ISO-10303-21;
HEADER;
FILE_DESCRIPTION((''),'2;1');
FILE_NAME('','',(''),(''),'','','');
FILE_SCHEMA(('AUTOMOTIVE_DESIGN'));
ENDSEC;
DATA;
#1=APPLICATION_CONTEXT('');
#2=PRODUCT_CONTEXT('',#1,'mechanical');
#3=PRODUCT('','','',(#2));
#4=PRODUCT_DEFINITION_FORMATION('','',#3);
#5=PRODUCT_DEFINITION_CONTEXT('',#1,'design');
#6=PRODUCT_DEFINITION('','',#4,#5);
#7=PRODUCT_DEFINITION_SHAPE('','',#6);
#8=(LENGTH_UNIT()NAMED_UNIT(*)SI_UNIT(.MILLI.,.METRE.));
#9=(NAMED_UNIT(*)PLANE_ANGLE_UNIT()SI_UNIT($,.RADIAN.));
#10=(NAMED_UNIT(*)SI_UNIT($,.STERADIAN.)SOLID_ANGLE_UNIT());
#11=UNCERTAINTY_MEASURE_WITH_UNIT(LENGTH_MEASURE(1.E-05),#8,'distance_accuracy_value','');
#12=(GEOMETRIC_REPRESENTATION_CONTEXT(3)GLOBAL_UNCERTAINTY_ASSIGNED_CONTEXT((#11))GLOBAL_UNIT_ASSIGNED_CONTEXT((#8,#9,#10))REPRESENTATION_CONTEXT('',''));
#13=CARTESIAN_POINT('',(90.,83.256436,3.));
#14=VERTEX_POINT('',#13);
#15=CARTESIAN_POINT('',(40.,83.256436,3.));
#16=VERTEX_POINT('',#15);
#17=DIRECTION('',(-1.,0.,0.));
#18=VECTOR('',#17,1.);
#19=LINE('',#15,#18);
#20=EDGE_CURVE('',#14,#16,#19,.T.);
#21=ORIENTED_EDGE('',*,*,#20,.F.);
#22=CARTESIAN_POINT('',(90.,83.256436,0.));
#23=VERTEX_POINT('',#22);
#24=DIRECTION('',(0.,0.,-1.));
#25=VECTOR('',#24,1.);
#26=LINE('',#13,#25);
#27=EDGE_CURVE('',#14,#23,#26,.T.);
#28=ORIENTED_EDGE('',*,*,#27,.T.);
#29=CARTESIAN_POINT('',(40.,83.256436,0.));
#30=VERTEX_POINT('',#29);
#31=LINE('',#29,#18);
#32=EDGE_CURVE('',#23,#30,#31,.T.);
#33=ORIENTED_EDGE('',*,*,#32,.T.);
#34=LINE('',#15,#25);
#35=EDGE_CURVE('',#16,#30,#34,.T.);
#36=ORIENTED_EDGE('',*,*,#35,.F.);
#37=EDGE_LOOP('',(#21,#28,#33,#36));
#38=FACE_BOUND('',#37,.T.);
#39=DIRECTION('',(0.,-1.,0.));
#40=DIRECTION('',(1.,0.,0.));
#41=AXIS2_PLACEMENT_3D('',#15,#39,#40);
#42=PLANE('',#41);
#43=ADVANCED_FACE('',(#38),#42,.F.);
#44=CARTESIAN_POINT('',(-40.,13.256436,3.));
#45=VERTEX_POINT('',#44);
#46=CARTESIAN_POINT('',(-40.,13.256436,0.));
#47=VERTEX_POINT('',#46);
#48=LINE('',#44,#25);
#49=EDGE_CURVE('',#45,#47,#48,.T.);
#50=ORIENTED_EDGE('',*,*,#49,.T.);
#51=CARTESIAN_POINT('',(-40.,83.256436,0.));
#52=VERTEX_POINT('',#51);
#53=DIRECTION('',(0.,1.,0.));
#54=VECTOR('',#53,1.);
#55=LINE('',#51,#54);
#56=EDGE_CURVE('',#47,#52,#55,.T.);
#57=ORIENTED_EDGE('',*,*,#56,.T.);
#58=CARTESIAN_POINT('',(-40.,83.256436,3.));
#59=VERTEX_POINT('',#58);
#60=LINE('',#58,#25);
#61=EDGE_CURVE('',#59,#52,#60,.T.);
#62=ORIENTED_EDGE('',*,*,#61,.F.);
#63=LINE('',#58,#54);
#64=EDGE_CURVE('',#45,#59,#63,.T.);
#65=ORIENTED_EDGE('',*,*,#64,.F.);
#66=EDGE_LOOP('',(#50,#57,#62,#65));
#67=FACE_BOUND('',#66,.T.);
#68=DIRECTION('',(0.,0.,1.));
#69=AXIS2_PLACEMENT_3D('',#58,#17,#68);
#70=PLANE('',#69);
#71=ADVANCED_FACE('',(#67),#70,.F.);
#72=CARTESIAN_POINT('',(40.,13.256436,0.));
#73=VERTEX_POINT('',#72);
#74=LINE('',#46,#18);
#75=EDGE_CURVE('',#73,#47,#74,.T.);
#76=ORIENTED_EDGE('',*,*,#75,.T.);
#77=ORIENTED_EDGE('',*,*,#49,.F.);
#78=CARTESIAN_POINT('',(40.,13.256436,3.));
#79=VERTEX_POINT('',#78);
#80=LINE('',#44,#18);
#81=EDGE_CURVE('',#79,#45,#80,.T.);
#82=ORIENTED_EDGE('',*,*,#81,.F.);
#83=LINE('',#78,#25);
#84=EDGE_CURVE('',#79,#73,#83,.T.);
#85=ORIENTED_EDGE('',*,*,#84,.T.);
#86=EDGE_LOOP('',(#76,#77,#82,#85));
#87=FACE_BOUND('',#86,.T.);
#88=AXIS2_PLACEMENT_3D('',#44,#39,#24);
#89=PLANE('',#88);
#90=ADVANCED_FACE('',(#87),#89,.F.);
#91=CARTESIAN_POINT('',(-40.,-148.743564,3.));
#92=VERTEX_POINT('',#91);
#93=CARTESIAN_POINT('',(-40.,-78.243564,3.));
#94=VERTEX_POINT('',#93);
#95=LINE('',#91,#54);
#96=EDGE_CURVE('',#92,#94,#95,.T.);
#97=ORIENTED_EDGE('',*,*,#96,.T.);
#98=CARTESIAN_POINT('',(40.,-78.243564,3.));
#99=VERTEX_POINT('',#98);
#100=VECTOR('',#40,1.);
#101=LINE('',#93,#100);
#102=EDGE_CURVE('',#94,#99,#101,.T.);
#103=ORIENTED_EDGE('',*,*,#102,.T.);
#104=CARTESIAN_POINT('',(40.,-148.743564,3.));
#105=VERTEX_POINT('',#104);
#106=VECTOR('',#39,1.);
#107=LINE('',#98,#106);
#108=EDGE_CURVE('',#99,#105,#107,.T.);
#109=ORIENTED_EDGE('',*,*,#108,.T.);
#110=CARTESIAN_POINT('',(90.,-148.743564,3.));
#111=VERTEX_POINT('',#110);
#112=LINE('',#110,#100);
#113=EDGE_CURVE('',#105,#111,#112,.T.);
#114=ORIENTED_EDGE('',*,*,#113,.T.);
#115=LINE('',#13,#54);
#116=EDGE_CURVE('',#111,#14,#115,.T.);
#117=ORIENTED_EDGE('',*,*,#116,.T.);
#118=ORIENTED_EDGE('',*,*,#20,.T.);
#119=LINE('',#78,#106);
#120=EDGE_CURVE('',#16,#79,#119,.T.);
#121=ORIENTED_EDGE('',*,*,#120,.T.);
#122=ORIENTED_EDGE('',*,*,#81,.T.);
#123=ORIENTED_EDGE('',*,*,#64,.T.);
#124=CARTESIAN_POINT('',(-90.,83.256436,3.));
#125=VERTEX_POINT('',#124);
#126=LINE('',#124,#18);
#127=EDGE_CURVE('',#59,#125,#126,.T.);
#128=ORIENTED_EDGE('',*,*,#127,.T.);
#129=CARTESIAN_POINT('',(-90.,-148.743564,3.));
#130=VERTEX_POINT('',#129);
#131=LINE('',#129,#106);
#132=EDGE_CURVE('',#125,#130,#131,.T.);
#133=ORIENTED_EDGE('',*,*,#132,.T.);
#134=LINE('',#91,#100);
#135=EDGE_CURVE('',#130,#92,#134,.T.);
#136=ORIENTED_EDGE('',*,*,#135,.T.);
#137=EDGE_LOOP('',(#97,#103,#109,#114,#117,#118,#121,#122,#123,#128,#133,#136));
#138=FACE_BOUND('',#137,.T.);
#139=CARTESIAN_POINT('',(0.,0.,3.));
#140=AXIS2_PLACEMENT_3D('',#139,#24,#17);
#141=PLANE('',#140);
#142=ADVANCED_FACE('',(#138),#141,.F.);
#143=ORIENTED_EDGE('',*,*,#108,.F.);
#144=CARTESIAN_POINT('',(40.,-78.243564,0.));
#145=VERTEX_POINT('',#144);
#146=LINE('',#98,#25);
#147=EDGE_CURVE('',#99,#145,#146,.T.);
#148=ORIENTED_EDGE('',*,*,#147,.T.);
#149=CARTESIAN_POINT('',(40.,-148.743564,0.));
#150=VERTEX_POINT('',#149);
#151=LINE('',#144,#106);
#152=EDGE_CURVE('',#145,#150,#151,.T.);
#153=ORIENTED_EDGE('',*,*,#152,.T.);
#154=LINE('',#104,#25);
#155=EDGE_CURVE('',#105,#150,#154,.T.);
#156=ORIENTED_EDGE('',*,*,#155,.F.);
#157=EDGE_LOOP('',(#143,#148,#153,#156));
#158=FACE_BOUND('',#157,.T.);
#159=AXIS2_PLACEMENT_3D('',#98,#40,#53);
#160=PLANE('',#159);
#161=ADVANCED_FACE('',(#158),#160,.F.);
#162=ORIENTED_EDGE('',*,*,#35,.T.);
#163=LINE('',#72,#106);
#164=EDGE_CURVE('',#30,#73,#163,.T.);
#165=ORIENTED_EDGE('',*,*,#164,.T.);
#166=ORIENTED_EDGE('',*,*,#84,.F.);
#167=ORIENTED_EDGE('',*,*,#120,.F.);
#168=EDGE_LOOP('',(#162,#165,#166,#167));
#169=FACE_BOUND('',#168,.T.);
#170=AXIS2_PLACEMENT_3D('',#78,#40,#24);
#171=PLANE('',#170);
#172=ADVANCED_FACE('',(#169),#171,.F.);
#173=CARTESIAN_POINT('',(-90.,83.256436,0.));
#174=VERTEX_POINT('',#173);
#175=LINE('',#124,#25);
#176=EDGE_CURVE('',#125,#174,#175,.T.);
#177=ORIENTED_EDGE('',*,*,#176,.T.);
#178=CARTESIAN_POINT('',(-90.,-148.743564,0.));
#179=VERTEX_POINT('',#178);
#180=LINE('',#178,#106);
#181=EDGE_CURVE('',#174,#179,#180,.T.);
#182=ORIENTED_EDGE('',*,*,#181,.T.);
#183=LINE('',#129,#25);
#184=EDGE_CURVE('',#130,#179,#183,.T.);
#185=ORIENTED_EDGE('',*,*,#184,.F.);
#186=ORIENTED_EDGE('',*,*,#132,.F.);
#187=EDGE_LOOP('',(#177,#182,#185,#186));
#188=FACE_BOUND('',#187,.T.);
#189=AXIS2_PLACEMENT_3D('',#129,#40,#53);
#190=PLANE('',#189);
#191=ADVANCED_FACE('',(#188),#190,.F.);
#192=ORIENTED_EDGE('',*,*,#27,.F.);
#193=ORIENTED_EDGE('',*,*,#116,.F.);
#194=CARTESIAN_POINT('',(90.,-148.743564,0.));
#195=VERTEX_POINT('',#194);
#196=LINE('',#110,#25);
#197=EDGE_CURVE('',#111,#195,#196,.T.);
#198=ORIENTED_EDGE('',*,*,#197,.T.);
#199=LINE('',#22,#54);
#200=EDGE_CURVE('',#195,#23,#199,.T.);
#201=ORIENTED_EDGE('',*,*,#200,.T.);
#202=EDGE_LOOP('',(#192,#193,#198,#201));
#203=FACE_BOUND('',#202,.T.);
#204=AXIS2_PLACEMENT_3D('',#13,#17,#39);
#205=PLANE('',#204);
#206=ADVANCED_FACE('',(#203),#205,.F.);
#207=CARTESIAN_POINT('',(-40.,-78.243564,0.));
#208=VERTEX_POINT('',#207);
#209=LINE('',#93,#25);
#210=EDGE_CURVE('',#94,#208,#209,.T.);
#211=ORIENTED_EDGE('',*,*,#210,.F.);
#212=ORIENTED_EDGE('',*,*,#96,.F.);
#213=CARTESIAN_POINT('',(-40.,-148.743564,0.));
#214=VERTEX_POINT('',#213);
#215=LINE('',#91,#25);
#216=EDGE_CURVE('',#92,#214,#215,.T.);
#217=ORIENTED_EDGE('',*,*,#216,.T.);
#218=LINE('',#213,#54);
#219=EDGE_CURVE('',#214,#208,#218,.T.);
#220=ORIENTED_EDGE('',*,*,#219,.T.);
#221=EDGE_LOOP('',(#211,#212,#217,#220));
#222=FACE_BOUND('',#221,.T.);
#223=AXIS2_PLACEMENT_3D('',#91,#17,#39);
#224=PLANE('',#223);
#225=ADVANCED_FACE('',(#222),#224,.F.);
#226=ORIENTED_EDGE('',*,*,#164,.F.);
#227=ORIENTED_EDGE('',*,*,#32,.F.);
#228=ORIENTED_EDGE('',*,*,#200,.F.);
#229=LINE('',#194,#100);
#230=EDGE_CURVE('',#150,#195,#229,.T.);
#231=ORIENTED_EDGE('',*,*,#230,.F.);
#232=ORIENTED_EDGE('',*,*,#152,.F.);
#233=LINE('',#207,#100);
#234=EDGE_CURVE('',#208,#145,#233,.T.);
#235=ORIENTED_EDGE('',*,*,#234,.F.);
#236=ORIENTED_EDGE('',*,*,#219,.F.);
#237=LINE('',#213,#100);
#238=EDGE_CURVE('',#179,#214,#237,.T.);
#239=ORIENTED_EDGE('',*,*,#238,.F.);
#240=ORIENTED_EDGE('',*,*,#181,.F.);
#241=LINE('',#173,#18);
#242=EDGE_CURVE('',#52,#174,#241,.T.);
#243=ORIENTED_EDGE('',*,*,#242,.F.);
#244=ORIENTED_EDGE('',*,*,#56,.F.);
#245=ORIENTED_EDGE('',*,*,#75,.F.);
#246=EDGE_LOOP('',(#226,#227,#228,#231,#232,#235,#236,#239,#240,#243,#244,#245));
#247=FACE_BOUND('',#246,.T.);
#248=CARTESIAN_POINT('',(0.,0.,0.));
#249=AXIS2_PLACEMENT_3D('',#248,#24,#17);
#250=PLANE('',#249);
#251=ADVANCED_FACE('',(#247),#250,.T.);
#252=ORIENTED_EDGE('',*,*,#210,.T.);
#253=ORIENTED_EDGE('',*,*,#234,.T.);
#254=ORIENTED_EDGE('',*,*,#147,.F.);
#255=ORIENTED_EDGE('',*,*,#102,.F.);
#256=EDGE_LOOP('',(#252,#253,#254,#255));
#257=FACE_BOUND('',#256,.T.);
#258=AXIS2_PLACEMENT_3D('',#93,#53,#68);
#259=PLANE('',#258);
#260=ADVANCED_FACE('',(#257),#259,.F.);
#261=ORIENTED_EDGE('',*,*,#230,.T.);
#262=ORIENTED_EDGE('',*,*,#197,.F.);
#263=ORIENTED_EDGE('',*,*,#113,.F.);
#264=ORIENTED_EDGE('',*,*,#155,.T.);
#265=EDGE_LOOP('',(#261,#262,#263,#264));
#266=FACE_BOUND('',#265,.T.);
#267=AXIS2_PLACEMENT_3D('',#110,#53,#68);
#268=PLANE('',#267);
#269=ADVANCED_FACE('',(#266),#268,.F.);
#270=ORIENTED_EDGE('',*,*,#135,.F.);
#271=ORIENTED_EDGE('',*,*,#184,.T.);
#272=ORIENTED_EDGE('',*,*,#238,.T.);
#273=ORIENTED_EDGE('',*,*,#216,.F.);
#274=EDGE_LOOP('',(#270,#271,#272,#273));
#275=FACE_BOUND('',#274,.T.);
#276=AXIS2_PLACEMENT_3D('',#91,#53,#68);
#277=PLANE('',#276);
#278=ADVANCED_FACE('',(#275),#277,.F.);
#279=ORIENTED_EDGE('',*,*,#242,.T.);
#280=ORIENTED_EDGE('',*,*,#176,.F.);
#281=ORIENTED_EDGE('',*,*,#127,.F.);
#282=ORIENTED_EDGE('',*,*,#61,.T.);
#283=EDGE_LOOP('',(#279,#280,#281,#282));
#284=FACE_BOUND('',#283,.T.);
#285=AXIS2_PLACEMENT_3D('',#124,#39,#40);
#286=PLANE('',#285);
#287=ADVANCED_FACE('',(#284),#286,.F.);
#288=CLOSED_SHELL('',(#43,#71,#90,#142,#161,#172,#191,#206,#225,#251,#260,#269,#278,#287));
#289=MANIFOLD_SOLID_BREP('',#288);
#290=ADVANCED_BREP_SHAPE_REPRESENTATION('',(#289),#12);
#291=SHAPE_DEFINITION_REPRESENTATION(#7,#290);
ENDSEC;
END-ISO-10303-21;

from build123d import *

# Parameters (mm, degrees)
BOSS_EXTRU_1_DEPTH = 3


with BuildPart() as part:
    # Esquisse1 → Boss.-Extru.1 (new body)
    with BuildSketch(Plane.XY):
        Polygon((-40, 83.256436311), (-40, 13.256436311), (40, 13.256436311), (40, 83.256436311), (90, 83.256436311), (90, -148.743563689), (40, -148.743563689), (40, -78.243563689), (-40, -78.243563689), (-40, -148.743563689), (-90, -148.743563689), (-90, 83.256436311), align=None)
    extrude(amount=BOSS_EXTRU_1_DEPTH)


solid = part.part
